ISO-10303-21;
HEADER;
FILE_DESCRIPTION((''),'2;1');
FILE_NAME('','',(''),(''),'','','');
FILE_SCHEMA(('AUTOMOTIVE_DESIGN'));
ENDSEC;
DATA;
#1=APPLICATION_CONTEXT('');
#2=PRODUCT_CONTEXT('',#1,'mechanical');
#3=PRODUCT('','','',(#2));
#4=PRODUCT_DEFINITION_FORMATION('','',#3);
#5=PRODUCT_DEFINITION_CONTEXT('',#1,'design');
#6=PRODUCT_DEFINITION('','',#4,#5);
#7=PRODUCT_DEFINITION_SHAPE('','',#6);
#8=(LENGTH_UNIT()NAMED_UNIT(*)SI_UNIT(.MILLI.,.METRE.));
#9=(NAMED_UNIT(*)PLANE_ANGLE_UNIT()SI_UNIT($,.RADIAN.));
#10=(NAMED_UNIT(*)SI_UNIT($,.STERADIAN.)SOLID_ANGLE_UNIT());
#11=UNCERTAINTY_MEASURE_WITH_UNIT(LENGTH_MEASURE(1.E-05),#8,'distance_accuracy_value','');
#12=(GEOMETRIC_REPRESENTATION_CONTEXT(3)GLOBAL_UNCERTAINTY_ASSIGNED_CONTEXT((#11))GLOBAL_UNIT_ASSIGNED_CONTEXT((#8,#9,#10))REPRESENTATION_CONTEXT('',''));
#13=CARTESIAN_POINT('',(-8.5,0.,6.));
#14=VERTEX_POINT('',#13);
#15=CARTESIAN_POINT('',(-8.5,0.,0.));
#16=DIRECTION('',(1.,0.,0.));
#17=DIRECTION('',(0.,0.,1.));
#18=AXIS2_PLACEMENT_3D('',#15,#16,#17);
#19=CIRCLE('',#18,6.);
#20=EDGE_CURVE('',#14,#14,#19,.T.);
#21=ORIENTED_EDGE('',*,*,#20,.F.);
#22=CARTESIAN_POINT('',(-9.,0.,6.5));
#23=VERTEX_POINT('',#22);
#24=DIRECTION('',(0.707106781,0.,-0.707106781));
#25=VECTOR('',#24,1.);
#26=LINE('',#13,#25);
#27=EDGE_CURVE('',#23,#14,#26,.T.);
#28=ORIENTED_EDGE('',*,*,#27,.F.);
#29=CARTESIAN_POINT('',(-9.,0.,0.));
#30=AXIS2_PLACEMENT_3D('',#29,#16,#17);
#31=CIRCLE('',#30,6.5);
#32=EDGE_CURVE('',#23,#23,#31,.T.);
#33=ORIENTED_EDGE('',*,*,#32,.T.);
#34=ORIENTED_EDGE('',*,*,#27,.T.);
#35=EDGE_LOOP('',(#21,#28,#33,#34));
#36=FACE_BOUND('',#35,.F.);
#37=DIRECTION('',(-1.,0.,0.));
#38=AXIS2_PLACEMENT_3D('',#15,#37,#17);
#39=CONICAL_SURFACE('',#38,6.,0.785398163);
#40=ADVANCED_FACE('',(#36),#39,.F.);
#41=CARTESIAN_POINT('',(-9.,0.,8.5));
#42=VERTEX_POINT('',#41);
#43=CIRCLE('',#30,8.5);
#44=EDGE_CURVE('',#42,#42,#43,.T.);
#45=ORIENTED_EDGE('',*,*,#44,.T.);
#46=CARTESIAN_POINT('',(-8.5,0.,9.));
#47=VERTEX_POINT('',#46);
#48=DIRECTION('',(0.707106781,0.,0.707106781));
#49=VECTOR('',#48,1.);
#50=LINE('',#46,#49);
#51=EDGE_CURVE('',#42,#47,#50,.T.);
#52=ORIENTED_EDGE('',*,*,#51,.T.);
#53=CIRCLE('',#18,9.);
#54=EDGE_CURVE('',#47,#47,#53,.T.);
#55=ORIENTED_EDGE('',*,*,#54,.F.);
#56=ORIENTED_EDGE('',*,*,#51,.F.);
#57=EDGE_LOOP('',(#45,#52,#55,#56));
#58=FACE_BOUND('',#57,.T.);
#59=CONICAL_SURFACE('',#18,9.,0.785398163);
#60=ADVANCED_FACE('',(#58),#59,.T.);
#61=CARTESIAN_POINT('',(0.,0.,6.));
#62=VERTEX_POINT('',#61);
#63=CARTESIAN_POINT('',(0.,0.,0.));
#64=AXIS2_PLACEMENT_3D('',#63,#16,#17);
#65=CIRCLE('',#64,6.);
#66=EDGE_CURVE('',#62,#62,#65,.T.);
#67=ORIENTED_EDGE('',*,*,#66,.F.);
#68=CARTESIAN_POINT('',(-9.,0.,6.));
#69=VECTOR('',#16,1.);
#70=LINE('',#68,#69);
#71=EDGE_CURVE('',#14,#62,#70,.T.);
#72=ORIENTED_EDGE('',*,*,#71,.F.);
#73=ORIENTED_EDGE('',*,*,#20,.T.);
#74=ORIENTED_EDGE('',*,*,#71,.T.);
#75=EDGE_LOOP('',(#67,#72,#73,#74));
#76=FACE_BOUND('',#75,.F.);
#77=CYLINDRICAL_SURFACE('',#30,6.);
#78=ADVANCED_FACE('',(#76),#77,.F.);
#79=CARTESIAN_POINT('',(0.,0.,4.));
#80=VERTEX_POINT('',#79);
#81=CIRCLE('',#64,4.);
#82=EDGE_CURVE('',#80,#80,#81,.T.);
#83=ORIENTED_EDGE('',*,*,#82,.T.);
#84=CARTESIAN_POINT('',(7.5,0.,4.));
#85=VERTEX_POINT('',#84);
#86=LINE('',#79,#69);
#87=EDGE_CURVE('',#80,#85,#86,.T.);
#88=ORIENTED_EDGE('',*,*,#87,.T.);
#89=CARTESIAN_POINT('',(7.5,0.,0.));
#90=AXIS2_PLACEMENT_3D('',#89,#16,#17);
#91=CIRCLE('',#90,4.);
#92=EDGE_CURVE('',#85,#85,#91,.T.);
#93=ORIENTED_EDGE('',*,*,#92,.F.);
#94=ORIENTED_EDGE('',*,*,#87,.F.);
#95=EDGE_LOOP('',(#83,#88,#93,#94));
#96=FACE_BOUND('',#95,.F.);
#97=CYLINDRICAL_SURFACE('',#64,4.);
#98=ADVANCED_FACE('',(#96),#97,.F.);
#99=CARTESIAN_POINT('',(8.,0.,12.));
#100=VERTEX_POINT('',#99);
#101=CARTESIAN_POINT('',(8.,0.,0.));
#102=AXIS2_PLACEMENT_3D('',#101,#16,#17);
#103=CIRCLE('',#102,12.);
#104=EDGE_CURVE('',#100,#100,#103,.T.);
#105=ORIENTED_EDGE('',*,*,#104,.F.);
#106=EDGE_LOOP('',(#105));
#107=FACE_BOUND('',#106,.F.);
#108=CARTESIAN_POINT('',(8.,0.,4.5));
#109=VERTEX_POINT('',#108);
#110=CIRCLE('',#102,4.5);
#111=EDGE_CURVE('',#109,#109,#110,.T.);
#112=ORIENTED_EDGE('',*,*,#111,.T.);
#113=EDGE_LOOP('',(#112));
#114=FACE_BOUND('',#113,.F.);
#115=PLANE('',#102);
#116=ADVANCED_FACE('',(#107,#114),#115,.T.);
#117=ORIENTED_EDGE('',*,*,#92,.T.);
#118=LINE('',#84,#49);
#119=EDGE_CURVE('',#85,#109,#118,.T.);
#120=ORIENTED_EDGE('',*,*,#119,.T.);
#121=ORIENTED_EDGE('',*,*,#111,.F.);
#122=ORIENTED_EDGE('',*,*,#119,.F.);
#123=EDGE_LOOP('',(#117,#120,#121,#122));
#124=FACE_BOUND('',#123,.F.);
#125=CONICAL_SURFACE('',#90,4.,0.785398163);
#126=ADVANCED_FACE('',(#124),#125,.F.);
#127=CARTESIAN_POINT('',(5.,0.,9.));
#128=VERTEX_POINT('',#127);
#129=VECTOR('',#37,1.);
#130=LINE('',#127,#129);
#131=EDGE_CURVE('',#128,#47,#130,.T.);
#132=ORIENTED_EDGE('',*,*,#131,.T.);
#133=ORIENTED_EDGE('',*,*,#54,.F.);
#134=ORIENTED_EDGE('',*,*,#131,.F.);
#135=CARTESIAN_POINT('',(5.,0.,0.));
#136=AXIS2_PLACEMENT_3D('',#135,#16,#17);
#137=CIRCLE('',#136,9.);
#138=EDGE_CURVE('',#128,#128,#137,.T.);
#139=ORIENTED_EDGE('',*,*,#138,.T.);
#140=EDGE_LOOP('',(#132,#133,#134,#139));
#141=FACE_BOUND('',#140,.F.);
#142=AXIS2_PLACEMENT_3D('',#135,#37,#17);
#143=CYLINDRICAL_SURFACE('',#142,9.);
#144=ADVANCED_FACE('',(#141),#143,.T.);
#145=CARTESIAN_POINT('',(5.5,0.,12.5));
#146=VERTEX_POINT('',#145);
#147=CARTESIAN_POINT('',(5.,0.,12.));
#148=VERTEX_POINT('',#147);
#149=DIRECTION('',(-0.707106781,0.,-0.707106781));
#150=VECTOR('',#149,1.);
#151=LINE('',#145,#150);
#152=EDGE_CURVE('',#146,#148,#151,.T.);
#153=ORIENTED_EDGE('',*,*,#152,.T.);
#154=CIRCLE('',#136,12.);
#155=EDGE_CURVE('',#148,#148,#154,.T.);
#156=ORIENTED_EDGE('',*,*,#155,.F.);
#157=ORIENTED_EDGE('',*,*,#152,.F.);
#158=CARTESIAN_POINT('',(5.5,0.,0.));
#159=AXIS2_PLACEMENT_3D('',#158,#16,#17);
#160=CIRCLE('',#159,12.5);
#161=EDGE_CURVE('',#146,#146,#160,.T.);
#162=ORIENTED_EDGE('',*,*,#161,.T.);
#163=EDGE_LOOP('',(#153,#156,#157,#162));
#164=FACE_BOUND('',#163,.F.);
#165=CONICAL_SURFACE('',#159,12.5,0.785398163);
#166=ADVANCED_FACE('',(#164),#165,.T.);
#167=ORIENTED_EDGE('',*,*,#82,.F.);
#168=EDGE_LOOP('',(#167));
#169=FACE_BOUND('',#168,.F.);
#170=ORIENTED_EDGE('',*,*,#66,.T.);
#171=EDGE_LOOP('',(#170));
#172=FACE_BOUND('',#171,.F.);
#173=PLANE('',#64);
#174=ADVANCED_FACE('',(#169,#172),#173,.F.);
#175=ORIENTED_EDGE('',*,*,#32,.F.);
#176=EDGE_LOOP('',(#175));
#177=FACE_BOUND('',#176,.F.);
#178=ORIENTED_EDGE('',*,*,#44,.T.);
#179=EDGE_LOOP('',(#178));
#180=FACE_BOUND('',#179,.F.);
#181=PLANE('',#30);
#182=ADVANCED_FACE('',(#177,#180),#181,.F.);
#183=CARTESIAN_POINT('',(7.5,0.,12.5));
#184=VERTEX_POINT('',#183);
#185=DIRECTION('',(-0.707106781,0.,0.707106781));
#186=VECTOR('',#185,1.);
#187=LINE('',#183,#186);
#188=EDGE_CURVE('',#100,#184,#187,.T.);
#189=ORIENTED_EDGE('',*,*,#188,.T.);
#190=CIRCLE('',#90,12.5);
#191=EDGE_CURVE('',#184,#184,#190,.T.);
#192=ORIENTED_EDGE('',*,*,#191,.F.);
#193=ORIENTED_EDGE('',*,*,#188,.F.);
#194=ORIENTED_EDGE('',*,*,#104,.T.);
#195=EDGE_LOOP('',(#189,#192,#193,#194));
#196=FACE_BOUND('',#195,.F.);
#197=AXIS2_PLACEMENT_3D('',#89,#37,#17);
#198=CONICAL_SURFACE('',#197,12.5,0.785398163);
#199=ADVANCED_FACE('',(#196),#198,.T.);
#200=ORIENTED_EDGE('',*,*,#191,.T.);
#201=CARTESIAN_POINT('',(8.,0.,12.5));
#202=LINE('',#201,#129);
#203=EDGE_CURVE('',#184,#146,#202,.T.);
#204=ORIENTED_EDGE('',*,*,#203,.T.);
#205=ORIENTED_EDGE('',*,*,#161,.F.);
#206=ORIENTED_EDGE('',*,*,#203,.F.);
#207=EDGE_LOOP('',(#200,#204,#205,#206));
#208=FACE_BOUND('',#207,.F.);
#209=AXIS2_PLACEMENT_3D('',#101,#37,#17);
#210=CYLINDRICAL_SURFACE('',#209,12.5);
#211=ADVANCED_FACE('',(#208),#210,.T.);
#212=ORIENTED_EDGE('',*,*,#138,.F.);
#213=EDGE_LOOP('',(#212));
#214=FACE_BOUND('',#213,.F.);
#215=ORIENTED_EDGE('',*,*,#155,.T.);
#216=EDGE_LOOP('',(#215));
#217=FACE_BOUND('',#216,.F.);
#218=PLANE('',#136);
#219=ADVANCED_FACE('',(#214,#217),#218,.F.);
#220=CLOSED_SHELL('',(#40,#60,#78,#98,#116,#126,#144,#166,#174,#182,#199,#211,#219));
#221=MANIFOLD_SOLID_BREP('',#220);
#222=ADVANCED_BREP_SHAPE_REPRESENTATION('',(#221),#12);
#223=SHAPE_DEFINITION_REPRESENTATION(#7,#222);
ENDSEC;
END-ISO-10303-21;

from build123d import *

# Parameters (mm, degrees)
F1_SIZE = 0.5


with BuildPart() as f2:
    # F0 (on Front) → F2 (revolve)
    with BuildSketch(Plane.XZ):
        Polygon((-9, 9), (-9, 6), (0, 6), (0, 4), (8, 4), (8, 12.5), (5, 12.5), (5, 9), align=None)
    revolve(axis=Axis((0.124688, 0, 0), (1, 0, 0)))

    # F1
    f1_edges = [f2.edges().sort_by_distance(p)[0] for p in [
        (-9, 0, -6),
        (-9, 0, -9),
        (5, 0, -12.5),
        (8, 0, -12.5),
        (8, 0, -4),
    ]]
    chamfer(f1_edges, length=F1_SIZE)


solid = f2.part
